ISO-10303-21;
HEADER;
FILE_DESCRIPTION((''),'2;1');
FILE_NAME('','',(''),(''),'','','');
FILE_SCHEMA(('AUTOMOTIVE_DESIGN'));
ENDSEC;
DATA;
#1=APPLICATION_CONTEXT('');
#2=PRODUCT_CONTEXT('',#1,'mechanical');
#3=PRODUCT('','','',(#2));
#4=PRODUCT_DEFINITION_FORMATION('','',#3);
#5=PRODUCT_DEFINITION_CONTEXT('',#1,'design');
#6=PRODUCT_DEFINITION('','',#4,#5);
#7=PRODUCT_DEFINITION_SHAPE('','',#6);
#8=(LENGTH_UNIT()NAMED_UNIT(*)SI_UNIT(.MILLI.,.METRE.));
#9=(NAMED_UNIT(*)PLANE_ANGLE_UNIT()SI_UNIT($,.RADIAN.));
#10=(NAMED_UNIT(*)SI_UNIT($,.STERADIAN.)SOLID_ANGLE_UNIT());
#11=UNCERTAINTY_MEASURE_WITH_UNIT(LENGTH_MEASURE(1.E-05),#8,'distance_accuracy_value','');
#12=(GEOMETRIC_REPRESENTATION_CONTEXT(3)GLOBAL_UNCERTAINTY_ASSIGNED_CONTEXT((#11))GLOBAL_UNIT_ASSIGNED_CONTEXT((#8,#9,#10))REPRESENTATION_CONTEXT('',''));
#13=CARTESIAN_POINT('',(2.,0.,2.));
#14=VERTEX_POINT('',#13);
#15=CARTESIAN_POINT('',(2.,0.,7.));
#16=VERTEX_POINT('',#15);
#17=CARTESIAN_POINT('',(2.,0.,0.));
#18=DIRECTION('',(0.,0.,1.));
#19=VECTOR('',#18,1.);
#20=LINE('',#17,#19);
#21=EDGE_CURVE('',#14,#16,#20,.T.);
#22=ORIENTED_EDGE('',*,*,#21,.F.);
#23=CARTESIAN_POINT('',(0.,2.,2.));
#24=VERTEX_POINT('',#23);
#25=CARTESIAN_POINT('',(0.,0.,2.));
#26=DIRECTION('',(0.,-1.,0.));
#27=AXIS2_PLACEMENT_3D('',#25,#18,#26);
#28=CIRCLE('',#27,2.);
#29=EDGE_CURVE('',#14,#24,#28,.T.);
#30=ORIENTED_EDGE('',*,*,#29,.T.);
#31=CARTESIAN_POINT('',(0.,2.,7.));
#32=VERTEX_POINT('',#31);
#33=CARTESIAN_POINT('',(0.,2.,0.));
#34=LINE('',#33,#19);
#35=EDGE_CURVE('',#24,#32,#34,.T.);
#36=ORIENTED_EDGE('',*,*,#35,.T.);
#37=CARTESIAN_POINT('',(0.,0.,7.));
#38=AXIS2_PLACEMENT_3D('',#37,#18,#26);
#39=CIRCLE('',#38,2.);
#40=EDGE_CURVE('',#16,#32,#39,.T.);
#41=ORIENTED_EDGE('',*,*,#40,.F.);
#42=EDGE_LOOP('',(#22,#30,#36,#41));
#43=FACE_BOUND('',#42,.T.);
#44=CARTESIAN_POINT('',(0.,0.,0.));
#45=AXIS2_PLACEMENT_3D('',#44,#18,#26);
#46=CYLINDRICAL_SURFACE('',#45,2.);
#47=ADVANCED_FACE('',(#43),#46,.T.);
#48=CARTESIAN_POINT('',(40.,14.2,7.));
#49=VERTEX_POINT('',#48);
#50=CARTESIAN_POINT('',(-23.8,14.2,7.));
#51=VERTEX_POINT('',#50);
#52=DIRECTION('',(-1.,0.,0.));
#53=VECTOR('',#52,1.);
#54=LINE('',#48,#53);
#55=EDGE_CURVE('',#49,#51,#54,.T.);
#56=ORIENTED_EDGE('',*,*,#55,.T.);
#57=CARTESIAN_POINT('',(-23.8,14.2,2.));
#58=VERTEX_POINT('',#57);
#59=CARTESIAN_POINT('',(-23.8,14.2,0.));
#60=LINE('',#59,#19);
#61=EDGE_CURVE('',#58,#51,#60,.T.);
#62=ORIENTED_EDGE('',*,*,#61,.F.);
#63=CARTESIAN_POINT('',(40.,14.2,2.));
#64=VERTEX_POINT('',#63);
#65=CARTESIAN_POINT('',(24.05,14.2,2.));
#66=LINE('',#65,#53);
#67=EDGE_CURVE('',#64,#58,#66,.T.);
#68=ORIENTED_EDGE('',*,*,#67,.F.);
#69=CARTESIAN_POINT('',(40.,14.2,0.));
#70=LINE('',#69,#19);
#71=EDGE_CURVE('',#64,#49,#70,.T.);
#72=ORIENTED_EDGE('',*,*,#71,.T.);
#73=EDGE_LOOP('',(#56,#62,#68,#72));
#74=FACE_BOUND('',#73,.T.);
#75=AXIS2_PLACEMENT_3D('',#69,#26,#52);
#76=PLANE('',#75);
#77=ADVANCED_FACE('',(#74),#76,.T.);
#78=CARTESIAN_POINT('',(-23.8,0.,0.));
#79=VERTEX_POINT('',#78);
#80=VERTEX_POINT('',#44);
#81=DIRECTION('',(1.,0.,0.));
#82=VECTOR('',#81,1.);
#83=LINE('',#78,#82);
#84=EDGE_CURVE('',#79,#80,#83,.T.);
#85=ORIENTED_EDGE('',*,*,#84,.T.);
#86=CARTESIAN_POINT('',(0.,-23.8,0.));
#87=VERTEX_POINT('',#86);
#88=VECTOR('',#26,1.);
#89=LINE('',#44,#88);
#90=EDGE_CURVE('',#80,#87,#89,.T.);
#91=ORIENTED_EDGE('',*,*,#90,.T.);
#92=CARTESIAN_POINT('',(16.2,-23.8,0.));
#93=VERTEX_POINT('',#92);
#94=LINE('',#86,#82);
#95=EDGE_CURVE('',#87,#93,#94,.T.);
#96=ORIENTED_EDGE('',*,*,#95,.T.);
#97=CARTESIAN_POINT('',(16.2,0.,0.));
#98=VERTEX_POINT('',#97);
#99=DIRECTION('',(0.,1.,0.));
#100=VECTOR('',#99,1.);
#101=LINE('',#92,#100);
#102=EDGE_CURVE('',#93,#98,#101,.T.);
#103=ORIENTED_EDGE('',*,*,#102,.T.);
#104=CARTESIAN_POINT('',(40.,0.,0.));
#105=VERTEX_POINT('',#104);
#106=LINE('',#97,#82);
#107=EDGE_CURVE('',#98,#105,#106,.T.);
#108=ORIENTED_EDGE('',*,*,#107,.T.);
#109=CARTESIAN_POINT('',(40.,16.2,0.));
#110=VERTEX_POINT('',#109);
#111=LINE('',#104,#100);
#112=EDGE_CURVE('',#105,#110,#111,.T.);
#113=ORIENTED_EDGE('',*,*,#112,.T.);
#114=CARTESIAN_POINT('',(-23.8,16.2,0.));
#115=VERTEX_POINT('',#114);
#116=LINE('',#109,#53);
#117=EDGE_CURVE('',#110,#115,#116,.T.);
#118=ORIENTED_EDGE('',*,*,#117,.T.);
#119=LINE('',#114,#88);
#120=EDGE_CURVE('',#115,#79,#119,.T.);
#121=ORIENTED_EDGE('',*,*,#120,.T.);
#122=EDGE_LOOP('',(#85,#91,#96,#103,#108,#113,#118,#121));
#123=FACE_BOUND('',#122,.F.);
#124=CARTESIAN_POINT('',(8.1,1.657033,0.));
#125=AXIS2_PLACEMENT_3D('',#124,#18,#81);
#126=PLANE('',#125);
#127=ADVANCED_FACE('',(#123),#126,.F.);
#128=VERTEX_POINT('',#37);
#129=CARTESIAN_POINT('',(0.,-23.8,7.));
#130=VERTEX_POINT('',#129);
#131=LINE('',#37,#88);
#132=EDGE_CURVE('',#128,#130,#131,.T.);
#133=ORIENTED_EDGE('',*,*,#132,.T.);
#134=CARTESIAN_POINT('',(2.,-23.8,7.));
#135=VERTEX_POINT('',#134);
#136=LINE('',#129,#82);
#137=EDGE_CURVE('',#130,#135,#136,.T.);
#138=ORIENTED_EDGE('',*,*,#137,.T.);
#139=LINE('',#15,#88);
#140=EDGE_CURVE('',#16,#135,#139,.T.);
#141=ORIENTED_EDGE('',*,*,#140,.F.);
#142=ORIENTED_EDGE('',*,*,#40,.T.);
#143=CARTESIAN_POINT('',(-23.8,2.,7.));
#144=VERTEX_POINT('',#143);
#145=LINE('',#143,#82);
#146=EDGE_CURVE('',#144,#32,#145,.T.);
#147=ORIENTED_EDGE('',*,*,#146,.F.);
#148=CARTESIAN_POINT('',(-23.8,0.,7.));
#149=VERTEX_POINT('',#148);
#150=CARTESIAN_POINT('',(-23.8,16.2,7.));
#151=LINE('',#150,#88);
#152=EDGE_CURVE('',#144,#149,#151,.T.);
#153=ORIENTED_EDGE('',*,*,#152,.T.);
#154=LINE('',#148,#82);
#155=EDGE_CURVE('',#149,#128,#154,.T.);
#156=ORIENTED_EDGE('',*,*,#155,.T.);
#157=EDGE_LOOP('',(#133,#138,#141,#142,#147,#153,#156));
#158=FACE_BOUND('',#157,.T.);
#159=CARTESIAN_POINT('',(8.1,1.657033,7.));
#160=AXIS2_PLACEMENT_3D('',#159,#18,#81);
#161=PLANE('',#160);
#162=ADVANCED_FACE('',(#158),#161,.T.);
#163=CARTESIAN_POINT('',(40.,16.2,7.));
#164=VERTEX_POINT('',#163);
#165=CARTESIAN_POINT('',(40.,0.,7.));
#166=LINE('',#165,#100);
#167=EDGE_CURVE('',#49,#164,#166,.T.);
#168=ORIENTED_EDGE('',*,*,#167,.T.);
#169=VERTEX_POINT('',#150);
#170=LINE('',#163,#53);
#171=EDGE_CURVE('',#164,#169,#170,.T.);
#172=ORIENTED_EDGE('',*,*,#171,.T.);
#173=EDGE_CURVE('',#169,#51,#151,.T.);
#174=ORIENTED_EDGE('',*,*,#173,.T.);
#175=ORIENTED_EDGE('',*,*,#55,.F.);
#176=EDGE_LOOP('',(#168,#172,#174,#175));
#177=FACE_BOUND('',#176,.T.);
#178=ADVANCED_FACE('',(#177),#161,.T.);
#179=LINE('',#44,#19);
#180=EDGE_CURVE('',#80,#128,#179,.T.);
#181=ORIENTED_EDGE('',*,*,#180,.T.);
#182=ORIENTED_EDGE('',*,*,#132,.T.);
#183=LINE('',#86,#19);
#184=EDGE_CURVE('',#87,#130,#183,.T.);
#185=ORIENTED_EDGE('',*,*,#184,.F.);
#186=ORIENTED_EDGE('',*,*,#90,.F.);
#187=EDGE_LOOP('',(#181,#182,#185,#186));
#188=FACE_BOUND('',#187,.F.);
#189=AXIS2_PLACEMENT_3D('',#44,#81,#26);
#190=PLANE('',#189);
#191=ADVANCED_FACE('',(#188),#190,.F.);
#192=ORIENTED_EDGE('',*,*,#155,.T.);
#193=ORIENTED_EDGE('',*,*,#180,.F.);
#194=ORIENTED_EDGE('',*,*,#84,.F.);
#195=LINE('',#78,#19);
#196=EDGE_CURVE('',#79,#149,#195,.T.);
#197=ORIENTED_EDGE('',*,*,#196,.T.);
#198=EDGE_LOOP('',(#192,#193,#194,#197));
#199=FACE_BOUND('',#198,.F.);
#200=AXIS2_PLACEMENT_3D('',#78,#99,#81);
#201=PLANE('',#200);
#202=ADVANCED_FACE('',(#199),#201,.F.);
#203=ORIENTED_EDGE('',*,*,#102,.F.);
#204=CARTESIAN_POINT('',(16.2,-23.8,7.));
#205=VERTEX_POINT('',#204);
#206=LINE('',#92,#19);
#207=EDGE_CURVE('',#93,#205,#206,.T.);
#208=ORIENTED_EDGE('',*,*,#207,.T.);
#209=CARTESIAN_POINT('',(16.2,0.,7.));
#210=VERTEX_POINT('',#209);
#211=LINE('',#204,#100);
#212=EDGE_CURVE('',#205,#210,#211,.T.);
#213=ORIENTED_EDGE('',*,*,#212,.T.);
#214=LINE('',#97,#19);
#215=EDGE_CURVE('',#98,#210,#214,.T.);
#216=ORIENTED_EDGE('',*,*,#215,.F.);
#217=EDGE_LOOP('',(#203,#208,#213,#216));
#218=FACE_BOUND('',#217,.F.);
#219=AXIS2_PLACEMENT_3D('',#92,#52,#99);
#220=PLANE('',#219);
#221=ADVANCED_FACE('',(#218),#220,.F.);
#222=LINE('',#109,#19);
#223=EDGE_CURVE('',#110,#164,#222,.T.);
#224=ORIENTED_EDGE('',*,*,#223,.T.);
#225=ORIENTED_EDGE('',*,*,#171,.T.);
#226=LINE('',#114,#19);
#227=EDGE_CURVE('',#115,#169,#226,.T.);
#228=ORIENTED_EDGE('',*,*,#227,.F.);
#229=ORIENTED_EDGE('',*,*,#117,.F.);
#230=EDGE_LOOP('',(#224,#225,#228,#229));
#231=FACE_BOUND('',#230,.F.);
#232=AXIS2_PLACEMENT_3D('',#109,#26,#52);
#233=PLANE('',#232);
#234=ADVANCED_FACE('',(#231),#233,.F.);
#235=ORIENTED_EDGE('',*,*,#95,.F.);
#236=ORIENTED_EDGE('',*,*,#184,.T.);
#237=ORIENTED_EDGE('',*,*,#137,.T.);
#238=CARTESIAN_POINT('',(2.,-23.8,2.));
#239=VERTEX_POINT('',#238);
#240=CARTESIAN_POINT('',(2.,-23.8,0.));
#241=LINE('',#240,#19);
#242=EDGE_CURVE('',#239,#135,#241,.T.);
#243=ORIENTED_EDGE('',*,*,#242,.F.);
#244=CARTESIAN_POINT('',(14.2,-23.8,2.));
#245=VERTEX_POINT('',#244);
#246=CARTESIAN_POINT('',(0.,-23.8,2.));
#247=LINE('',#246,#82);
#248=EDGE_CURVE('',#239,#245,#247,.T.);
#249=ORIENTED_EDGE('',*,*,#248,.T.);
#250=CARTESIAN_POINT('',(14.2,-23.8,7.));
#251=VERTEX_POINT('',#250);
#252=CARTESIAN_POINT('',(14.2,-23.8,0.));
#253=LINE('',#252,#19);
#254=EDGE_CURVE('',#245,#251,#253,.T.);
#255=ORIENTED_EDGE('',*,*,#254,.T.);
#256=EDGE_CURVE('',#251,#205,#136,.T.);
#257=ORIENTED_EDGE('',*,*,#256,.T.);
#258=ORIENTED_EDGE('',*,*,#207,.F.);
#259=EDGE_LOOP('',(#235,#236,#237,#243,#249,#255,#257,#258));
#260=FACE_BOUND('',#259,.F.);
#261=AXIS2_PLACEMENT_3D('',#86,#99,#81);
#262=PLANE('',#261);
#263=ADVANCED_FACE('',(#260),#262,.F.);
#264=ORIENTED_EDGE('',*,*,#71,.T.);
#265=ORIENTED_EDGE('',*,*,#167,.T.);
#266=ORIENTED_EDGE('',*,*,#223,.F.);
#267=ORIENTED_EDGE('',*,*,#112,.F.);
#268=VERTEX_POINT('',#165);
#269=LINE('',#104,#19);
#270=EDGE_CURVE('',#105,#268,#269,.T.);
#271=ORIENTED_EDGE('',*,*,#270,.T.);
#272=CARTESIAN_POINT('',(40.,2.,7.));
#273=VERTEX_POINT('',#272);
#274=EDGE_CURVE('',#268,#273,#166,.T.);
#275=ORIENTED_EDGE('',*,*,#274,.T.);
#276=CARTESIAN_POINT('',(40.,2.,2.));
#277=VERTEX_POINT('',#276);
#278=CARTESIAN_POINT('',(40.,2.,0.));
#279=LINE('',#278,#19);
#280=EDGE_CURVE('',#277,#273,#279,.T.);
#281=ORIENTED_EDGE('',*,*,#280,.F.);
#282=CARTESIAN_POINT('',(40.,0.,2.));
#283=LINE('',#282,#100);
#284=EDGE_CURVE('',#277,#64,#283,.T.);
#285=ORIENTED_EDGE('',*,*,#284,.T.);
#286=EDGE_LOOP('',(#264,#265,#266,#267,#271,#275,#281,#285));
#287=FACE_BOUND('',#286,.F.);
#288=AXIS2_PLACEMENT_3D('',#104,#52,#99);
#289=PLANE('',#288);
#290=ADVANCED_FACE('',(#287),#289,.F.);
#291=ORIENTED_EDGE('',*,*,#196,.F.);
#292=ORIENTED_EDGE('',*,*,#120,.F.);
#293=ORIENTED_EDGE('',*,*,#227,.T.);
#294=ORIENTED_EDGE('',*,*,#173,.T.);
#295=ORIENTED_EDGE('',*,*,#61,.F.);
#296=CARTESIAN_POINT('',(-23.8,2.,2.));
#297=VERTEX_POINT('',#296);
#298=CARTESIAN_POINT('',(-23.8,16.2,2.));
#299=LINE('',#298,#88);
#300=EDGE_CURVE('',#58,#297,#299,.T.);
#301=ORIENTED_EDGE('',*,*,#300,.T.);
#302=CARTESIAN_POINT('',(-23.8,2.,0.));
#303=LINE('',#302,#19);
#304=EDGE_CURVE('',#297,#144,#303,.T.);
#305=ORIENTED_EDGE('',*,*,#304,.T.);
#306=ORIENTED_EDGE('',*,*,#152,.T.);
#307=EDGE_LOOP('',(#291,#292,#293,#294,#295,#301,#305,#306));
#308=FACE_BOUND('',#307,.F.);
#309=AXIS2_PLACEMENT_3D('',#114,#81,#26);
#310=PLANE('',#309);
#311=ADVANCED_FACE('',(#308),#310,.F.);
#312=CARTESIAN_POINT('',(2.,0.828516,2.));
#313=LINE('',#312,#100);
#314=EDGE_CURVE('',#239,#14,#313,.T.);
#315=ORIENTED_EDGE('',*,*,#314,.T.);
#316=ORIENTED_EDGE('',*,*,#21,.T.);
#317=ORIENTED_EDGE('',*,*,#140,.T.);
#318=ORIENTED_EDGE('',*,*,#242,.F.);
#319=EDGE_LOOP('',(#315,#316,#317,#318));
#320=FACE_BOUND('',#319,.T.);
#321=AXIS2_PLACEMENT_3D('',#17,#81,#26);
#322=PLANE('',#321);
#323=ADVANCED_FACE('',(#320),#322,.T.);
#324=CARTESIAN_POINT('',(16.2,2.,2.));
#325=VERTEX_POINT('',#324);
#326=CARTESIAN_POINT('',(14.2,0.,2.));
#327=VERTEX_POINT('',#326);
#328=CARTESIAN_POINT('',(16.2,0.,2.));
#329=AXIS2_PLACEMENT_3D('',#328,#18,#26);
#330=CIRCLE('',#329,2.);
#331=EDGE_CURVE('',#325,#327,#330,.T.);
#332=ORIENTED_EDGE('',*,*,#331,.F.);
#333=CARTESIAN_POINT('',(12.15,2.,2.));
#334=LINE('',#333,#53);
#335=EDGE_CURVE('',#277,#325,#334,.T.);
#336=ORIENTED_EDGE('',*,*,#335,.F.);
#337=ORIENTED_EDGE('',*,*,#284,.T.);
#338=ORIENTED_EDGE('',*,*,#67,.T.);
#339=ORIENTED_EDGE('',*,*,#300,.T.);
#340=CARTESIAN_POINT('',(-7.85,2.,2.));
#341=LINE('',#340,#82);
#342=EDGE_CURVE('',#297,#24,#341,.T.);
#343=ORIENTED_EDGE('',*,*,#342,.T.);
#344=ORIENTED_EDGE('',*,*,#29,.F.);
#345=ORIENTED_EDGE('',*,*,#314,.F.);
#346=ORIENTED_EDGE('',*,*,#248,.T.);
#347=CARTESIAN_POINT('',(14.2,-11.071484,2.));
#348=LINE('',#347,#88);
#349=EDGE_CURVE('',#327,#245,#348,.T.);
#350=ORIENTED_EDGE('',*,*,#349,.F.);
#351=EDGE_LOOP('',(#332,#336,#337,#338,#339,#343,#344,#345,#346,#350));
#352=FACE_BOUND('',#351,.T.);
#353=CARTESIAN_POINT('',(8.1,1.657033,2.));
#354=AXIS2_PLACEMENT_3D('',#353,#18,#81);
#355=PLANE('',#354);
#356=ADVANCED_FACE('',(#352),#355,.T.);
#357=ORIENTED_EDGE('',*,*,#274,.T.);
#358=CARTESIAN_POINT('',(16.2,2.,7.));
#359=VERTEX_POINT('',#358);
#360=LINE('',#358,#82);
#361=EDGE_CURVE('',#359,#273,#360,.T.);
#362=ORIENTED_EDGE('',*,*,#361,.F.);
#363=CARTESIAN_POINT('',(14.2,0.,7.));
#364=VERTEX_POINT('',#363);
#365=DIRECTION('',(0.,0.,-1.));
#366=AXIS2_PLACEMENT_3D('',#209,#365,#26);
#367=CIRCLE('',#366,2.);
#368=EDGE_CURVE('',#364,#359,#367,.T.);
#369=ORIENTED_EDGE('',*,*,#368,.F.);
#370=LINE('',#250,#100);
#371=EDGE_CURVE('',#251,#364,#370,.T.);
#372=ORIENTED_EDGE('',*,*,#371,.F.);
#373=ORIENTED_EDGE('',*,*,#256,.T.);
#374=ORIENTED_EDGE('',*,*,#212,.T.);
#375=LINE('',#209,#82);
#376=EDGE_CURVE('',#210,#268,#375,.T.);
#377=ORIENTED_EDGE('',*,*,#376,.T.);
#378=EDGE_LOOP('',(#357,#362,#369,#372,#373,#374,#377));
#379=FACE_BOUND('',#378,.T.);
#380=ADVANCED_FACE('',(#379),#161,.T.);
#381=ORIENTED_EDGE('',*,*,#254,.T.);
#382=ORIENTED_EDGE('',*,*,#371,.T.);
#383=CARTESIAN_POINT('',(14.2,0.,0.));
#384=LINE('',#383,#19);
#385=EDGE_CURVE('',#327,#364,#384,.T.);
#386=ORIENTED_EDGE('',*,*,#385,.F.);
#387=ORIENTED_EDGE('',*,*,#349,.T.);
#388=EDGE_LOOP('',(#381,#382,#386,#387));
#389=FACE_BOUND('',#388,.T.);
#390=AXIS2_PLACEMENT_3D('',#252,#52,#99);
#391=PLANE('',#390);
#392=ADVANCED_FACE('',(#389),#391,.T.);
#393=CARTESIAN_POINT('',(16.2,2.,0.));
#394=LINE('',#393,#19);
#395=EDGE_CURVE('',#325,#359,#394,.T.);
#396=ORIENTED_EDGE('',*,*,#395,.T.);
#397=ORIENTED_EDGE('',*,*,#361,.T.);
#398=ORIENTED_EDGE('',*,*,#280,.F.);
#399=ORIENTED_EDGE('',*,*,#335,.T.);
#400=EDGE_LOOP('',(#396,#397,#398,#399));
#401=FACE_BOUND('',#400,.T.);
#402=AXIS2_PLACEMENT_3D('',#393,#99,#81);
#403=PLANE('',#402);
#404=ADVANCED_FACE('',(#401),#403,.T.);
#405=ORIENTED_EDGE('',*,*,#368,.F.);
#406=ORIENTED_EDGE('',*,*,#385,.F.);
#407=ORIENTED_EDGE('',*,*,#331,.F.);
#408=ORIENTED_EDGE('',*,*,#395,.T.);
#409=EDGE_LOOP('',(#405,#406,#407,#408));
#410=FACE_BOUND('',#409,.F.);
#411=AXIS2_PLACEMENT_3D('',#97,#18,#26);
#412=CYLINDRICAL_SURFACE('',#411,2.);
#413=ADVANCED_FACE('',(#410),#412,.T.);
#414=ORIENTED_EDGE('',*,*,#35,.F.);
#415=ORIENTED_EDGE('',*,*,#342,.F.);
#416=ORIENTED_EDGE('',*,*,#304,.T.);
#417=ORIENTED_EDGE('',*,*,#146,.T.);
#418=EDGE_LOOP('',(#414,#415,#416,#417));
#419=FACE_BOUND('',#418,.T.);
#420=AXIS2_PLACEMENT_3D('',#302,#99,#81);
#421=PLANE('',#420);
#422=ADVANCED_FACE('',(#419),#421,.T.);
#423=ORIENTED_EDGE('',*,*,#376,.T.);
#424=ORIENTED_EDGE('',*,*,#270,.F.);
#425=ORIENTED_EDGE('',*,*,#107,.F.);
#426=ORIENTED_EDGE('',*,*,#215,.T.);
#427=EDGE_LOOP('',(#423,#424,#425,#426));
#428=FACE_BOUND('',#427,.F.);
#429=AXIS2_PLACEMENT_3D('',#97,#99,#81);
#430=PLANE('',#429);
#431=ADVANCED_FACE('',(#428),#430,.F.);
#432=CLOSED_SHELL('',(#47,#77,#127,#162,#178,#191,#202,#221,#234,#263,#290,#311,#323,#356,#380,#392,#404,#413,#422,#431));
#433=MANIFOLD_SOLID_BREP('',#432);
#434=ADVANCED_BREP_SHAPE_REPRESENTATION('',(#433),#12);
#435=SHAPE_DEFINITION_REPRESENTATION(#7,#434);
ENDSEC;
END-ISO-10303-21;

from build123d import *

# Parameters (mm, degrees)
PAD_DEPTH   = 7
THICKNESS_T = -2


with BuildPart() as part:
    # Sketch001 → Pad (new body)
    with BuildSketch(Plane.XY):
        Polygon((0, 0), (0, -23.8), (16.2, -23.8), (16.2, 0), (40, 0), (40, 16.2), (-23.8, 16.2), (-23.8, 0), align=None)
    extrude(amount=PAD_DEPTH)

    # Thickness
    thickness_openings = [part.faces().sort_by_distance(p)[0] for p in [
        (8.1, 2.66621, 7),
        (8.1, -23.8, 3.5),
        (40, 8.1, 3.5),
        (-23.8, 8.1, 3.5),
    ]]
    offset(amount=THICKNESS_T, openings=thickness_openings)


solid = part.part
